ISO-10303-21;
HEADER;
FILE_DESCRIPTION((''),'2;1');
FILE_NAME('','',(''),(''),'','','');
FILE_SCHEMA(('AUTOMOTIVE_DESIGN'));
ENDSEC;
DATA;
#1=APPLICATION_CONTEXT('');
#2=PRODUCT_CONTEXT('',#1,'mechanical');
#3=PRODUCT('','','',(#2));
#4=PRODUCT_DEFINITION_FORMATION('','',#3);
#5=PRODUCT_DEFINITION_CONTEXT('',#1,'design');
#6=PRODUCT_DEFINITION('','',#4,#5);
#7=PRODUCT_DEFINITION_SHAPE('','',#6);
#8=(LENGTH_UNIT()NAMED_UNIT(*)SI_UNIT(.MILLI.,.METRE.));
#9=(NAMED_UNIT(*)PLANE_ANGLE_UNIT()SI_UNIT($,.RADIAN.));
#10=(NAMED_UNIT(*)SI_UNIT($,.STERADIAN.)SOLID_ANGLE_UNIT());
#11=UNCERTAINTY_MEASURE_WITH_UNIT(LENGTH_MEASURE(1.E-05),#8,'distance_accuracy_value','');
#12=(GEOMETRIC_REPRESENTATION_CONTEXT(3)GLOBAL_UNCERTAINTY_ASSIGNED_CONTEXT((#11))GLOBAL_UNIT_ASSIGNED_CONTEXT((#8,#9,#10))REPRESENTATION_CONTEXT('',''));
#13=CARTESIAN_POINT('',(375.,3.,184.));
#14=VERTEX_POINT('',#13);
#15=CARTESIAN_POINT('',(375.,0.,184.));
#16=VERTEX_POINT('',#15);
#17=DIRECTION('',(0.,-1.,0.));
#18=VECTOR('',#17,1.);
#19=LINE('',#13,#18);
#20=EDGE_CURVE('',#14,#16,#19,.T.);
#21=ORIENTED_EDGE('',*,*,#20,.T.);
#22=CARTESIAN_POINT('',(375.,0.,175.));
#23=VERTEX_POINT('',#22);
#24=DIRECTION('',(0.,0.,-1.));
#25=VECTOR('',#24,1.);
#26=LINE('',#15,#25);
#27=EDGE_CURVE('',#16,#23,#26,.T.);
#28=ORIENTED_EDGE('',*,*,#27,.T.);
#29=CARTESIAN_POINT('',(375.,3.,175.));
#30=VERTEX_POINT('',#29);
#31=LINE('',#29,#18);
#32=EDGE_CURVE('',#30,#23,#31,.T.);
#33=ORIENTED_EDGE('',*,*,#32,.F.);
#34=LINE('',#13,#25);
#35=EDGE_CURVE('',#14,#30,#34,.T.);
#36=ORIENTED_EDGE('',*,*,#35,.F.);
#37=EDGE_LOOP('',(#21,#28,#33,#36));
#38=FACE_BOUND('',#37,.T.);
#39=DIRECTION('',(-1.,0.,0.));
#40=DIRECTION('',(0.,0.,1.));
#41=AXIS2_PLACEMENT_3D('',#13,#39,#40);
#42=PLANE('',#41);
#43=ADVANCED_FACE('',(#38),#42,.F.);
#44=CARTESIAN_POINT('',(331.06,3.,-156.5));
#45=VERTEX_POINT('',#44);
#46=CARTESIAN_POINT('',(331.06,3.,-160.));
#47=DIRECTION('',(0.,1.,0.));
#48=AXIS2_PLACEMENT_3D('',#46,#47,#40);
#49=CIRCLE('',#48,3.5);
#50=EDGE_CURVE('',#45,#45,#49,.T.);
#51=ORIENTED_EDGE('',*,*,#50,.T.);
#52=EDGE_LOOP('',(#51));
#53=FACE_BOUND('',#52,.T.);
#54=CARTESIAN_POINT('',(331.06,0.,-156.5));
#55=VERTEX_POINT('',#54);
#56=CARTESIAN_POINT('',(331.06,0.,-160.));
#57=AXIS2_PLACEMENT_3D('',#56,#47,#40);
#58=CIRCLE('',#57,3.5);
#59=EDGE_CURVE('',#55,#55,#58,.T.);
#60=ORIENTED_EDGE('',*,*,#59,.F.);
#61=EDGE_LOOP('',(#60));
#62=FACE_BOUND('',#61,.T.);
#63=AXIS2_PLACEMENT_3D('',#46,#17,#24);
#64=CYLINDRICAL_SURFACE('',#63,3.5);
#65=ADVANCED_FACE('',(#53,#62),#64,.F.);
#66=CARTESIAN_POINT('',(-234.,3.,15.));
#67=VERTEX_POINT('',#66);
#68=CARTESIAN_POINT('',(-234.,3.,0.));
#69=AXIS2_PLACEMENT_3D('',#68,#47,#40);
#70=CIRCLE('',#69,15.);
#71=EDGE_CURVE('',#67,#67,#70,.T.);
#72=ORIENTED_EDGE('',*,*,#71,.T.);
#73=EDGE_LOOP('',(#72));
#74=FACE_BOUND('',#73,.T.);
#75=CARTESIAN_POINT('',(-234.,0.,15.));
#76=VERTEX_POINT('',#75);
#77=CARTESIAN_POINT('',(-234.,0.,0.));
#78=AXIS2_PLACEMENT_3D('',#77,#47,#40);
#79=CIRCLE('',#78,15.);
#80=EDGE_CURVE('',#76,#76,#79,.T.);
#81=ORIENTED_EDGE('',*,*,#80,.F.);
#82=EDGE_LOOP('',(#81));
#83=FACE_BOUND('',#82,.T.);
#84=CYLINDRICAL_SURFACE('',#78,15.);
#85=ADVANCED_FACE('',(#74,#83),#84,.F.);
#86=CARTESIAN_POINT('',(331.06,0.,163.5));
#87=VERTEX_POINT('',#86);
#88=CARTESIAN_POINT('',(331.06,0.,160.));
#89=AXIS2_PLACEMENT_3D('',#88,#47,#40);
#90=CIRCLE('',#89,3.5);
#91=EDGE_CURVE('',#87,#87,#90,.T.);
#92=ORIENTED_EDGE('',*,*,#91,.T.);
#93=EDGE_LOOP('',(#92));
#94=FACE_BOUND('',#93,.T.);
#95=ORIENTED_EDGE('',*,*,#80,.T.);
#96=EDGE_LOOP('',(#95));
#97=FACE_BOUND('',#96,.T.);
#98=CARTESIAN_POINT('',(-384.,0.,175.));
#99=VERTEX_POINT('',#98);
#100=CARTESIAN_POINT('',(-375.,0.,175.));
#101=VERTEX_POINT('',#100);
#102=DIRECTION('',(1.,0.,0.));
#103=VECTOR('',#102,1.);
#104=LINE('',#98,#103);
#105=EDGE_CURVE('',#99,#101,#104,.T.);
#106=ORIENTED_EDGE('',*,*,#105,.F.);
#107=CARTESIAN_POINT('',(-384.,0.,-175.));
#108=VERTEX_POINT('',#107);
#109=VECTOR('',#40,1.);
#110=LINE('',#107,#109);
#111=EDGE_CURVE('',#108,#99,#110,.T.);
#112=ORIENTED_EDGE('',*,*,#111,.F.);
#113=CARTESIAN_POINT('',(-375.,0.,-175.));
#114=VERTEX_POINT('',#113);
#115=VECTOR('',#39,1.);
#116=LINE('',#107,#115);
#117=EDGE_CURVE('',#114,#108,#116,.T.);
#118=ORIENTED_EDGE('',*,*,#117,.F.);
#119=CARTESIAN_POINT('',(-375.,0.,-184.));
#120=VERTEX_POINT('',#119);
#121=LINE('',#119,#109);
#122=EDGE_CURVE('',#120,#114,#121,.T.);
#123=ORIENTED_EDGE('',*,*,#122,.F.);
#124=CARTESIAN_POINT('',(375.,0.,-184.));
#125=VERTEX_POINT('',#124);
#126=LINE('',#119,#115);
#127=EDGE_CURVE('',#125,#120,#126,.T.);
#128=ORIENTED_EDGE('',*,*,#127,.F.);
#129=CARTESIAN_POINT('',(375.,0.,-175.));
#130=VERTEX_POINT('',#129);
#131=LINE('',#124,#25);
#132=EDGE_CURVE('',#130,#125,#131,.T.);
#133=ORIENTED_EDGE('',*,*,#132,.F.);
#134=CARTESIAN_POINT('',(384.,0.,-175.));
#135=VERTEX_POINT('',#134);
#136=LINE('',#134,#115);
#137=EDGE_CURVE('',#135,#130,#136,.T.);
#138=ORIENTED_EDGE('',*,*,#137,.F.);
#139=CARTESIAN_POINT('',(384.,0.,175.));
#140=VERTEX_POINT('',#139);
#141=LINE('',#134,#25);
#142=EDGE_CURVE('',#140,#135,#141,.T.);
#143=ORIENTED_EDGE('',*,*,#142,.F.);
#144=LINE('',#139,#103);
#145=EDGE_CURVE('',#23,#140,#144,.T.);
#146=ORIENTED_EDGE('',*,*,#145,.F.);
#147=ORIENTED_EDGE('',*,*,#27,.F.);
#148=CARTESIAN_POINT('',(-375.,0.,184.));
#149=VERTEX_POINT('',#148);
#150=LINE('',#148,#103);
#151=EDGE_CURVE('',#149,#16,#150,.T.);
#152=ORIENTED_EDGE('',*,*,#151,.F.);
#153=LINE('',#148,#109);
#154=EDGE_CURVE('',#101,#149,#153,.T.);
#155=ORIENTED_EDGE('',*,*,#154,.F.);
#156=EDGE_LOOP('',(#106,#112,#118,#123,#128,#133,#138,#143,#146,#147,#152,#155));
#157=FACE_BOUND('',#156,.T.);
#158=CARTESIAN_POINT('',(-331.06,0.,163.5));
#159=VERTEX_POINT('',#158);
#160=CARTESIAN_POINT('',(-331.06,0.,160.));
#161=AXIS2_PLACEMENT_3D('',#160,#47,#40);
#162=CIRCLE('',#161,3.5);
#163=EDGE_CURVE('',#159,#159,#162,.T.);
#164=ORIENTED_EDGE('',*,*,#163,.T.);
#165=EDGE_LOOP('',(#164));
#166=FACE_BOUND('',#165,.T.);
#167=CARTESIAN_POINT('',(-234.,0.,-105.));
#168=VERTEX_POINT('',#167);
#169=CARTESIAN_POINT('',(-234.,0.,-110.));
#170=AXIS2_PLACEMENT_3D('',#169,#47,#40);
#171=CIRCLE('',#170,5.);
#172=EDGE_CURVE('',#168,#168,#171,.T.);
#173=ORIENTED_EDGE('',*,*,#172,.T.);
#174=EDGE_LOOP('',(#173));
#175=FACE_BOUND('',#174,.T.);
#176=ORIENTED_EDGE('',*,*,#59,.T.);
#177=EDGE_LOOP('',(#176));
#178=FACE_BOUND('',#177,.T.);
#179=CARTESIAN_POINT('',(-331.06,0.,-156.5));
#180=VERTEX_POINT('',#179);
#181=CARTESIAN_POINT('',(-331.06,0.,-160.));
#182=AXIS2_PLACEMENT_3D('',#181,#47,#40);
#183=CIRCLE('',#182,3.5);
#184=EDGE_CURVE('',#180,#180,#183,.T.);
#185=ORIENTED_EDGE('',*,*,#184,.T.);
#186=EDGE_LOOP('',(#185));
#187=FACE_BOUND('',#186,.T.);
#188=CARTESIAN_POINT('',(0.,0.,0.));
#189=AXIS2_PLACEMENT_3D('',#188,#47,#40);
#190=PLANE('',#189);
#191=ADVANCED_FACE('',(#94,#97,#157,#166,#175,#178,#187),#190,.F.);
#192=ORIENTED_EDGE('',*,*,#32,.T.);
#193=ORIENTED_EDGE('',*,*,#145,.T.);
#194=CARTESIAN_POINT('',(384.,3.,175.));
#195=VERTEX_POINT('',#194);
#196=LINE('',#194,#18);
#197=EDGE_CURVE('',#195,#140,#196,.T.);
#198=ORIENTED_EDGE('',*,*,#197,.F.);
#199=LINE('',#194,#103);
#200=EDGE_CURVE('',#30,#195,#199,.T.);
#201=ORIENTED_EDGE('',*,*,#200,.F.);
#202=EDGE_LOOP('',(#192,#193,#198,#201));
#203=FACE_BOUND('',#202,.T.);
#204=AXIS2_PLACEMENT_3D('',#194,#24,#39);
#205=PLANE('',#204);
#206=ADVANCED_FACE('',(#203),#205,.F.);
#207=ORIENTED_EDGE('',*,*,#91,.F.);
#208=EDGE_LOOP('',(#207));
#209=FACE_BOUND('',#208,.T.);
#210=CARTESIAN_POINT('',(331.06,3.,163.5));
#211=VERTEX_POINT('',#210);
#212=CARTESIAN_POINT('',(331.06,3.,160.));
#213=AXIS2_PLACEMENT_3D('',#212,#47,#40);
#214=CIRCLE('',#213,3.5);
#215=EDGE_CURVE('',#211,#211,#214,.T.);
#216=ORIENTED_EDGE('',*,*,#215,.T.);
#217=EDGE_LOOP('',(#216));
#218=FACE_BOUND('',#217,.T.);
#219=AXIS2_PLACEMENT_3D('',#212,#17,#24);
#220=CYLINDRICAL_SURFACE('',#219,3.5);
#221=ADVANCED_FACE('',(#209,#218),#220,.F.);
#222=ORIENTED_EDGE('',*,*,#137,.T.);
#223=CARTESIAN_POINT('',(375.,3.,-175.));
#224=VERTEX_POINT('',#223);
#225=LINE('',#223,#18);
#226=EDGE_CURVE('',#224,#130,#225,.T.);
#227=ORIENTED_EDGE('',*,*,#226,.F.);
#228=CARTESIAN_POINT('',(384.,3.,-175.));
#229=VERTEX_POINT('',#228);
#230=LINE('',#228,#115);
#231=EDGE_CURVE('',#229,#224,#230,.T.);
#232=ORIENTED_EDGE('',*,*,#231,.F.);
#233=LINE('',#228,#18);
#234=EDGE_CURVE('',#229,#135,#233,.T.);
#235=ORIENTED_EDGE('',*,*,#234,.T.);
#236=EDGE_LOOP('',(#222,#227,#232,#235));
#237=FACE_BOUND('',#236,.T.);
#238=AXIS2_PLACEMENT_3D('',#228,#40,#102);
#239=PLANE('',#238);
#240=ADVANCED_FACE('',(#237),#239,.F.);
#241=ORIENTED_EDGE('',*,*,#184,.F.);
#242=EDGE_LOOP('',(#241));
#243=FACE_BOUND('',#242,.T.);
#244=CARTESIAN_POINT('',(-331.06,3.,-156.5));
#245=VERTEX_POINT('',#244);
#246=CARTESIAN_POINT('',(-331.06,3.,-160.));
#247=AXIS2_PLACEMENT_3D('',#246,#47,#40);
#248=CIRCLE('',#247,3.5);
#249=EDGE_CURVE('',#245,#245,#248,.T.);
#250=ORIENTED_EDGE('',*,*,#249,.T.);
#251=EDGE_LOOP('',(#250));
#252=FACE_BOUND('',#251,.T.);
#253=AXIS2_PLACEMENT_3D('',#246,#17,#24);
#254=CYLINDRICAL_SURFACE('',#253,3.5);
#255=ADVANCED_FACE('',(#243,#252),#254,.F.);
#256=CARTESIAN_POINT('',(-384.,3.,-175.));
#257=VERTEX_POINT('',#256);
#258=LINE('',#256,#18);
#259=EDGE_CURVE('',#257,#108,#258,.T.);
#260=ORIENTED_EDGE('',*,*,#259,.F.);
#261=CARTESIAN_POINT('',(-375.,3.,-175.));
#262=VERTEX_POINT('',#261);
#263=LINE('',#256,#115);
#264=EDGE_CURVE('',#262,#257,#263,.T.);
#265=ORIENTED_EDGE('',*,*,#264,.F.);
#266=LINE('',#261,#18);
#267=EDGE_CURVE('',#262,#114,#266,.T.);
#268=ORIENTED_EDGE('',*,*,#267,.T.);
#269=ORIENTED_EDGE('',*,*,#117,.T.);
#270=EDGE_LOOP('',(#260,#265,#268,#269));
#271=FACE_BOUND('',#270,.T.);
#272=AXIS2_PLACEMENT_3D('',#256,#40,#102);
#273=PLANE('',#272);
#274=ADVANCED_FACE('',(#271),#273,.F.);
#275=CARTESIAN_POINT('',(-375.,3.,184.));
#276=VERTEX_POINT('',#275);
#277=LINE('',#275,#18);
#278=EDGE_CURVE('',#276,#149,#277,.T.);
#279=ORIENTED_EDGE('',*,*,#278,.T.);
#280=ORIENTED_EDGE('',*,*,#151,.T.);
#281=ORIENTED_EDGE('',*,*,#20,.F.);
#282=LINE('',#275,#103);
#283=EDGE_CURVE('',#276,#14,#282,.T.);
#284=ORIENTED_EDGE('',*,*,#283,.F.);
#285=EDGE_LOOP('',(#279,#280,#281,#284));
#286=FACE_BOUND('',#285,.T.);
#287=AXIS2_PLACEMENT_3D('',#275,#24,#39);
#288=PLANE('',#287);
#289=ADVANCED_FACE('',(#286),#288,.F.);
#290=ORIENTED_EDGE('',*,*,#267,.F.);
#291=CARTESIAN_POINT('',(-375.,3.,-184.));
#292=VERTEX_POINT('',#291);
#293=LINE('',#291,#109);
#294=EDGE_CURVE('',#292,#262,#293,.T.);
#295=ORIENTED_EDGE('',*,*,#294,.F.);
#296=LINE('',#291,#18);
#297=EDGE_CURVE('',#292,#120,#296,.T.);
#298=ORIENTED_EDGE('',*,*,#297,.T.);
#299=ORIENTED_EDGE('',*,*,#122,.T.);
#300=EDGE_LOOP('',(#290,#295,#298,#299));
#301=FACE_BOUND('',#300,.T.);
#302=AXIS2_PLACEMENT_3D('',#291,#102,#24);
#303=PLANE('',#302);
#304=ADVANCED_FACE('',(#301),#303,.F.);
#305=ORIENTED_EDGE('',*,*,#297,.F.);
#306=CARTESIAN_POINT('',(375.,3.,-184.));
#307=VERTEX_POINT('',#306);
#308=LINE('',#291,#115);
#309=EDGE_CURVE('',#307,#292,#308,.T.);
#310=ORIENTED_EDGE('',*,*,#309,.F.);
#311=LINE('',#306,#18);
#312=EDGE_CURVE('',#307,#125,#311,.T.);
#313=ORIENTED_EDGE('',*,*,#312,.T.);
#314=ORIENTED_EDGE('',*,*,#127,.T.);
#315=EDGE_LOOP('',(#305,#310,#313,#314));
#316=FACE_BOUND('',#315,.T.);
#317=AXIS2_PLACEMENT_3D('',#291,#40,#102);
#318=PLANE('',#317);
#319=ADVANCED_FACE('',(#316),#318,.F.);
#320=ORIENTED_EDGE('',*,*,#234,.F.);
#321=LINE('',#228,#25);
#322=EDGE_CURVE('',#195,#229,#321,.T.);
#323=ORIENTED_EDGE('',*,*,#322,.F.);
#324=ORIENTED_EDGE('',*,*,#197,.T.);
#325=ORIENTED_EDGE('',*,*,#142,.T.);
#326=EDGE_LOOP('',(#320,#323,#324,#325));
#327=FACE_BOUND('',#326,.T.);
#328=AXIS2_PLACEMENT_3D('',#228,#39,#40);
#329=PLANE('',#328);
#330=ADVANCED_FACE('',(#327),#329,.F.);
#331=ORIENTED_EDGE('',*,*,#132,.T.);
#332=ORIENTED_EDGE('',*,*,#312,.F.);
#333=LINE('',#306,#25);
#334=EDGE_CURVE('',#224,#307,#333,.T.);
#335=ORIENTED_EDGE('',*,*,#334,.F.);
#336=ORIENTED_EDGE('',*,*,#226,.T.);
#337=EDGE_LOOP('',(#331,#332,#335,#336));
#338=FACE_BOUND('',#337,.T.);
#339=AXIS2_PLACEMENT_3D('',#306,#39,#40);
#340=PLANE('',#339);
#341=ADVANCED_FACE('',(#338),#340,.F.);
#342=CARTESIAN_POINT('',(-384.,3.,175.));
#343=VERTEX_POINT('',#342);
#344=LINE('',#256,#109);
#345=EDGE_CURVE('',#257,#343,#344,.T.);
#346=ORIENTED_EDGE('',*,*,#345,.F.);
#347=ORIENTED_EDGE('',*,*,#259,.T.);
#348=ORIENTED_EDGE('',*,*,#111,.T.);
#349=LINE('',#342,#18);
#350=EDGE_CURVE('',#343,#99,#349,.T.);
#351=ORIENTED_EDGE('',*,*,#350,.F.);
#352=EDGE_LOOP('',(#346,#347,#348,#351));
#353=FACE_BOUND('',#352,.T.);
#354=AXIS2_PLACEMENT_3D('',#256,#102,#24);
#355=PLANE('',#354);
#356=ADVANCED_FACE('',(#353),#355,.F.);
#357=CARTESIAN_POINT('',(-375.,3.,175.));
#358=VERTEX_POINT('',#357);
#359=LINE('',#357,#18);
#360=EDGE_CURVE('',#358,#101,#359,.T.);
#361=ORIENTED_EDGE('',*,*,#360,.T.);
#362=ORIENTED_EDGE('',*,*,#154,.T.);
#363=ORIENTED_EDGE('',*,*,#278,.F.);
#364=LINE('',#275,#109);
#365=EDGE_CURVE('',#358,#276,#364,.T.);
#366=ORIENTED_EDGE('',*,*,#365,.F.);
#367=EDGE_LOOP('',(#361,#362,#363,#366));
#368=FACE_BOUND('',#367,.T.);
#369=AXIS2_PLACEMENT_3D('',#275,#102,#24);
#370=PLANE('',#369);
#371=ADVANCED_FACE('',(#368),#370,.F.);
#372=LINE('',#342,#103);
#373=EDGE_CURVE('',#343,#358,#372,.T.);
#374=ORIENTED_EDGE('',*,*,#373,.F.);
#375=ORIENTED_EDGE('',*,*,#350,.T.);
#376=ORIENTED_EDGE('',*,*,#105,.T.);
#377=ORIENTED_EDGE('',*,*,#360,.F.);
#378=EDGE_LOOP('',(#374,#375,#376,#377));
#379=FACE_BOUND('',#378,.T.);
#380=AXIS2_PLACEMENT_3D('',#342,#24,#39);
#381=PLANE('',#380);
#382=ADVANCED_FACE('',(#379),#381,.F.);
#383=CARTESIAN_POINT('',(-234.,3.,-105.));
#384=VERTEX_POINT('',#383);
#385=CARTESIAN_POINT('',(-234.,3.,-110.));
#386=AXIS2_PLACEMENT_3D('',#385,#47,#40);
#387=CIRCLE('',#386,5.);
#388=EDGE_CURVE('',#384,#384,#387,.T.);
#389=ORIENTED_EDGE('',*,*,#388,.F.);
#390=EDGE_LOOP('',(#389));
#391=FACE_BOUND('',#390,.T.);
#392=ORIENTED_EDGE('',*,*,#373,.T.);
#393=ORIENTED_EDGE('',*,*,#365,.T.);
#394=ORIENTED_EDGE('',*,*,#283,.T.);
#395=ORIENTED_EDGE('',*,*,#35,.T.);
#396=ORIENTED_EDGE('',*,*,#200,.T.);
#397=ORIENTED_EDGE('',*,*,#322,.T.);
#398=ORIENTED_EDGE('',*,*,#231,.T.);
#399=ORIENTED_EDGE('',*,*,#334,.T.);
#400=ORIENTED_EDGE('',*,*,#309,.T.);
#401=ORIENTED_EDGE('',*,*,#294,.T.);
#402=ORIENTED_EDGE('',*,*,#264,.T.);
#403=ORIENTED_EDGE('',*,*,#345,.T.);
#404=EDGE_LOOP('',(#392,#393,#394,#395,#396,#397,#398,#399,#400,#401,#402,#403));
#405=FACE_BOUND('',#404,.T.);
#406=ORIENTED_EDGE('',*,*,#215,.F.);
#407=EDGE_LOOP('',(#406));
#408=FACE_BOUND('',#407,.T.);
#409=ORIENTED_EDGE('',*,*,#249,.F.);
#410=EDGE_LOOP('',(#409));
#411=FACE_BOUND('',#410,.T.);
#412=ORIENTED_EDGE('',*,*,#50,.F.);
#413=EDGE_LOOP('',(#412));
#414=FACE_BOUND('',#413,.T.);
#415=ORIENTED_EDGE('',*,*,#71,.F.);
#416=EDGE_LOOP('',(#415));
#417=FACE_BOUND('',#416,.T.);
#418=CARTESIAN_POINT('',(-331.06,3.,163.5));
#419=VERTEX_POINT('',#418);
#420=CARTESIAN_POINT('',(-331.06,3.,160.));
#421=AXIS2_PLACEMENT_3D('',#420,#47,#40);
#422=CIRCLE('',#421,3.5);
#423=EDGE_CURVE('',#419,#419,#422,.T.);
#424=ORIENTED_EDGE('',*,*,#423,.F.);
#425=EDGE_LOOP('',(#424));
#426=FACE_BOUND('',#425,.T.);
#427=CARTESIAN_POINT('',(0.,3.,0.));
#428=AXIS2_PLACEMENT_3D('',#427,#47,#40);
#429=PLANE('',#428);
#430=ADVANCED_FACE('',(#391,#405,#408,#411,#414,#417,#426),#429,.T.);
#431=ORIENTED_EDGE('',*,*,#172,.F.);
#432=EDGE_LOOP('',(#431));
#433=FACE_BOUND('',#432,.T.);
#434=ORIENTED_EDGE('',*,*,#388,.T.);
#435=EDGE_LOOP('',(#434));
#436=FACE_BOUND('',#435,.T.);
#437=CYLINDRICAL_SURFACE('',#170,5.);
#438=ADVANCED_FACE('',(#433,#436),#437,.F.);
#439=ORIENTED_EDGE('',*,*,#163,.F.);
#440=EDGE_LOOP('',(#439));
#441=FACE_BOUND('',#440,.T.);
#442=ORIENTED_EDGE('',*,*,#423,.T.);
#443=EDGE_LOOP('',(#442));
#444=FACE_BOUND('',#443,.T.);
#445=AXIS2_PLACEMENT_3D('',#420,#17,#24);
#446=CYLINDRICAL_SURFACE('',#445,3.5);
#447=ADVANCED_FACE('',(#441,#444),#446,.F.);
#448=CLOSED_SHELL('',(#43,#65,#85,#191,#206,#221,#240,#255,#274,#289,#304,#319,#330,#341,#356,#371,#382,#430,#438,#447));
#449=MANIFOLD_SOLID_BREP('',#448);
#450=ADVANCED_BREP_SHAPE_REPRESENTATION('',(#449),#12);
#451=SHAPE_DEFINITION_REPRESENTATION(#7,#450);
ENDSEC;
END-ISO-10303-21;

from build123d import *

# Parameters (mm, degrees)
SKETCH2_R           = 3.5
BOSS_EXTRUDE1_DEPTH = 3
SKETCH3_R           = 15
CUT_EXTRUDE1_DEPTH  = 4
SKETCH4_R           = 5
CUT_EXTRUDE2_DEPTH  = 4


with BuildPart() as part:
    # Sketch2 → Boss-Extrude1 (new body)
    with BuildSketch(Plane(origin=(0, 0, 0), x_dir=(1, 0, 0), z_dir=(0, 1, 0))):
        Polygon((-375, 184), (375, 184), (375, 175), (384, 175), (384, -175), (375, -175), (375, -184), (-375, -184), (-375, -175), (-384, -175), (-384, 175), (-375, 175), align=None)
        with Locations((-331.06, 160)):
            Circle(SKETCH2_R, mode=Mode.SUBTRACT)
        with Locations((-331.06, -160)):
            Circle(SKETCH2_R, mode=Mode.SUBTRACT)
        with Locations((331.06, 160)):
            Circle(SKETCH2_R, mode=Mode.SUBTRACT)
        with Locations((331.06, -160)):
            Circle(SKETCH2_R, mode=Mode.SUBTRACT)
    extrude(amount=BOSS_EXTRUDE1_DEPTH)

    # Sketch3 → Cut-Extrude1 (cut, through all)
    with BuildSketch(Plane(origin=(0, 3, 0), x_dir=(1, 0, 0), z_dir=(0, 1, 0))):
        with Locations((-234, 0)):
            Circle(SKETCH3_R)
    extrude(amount=-CUT_EXTRUDE1_DEPTH, mode=Mode.SUBTRACT)

    # Sketch4 → Cut-Extrude2 (cut, through all)
    with BuildSketch(Plane(origin=(0, 3, 0), x_dir=(1, 0, 0), z_dir=(0, 1, 0))):
        with Locations((-234, 110)):
            Circle(SKETCH4_R)
    extrude(amount=-CUT_EXTRUDE2_DEPTH, mode=Mode.SUBTRACT)


solid = part.part
